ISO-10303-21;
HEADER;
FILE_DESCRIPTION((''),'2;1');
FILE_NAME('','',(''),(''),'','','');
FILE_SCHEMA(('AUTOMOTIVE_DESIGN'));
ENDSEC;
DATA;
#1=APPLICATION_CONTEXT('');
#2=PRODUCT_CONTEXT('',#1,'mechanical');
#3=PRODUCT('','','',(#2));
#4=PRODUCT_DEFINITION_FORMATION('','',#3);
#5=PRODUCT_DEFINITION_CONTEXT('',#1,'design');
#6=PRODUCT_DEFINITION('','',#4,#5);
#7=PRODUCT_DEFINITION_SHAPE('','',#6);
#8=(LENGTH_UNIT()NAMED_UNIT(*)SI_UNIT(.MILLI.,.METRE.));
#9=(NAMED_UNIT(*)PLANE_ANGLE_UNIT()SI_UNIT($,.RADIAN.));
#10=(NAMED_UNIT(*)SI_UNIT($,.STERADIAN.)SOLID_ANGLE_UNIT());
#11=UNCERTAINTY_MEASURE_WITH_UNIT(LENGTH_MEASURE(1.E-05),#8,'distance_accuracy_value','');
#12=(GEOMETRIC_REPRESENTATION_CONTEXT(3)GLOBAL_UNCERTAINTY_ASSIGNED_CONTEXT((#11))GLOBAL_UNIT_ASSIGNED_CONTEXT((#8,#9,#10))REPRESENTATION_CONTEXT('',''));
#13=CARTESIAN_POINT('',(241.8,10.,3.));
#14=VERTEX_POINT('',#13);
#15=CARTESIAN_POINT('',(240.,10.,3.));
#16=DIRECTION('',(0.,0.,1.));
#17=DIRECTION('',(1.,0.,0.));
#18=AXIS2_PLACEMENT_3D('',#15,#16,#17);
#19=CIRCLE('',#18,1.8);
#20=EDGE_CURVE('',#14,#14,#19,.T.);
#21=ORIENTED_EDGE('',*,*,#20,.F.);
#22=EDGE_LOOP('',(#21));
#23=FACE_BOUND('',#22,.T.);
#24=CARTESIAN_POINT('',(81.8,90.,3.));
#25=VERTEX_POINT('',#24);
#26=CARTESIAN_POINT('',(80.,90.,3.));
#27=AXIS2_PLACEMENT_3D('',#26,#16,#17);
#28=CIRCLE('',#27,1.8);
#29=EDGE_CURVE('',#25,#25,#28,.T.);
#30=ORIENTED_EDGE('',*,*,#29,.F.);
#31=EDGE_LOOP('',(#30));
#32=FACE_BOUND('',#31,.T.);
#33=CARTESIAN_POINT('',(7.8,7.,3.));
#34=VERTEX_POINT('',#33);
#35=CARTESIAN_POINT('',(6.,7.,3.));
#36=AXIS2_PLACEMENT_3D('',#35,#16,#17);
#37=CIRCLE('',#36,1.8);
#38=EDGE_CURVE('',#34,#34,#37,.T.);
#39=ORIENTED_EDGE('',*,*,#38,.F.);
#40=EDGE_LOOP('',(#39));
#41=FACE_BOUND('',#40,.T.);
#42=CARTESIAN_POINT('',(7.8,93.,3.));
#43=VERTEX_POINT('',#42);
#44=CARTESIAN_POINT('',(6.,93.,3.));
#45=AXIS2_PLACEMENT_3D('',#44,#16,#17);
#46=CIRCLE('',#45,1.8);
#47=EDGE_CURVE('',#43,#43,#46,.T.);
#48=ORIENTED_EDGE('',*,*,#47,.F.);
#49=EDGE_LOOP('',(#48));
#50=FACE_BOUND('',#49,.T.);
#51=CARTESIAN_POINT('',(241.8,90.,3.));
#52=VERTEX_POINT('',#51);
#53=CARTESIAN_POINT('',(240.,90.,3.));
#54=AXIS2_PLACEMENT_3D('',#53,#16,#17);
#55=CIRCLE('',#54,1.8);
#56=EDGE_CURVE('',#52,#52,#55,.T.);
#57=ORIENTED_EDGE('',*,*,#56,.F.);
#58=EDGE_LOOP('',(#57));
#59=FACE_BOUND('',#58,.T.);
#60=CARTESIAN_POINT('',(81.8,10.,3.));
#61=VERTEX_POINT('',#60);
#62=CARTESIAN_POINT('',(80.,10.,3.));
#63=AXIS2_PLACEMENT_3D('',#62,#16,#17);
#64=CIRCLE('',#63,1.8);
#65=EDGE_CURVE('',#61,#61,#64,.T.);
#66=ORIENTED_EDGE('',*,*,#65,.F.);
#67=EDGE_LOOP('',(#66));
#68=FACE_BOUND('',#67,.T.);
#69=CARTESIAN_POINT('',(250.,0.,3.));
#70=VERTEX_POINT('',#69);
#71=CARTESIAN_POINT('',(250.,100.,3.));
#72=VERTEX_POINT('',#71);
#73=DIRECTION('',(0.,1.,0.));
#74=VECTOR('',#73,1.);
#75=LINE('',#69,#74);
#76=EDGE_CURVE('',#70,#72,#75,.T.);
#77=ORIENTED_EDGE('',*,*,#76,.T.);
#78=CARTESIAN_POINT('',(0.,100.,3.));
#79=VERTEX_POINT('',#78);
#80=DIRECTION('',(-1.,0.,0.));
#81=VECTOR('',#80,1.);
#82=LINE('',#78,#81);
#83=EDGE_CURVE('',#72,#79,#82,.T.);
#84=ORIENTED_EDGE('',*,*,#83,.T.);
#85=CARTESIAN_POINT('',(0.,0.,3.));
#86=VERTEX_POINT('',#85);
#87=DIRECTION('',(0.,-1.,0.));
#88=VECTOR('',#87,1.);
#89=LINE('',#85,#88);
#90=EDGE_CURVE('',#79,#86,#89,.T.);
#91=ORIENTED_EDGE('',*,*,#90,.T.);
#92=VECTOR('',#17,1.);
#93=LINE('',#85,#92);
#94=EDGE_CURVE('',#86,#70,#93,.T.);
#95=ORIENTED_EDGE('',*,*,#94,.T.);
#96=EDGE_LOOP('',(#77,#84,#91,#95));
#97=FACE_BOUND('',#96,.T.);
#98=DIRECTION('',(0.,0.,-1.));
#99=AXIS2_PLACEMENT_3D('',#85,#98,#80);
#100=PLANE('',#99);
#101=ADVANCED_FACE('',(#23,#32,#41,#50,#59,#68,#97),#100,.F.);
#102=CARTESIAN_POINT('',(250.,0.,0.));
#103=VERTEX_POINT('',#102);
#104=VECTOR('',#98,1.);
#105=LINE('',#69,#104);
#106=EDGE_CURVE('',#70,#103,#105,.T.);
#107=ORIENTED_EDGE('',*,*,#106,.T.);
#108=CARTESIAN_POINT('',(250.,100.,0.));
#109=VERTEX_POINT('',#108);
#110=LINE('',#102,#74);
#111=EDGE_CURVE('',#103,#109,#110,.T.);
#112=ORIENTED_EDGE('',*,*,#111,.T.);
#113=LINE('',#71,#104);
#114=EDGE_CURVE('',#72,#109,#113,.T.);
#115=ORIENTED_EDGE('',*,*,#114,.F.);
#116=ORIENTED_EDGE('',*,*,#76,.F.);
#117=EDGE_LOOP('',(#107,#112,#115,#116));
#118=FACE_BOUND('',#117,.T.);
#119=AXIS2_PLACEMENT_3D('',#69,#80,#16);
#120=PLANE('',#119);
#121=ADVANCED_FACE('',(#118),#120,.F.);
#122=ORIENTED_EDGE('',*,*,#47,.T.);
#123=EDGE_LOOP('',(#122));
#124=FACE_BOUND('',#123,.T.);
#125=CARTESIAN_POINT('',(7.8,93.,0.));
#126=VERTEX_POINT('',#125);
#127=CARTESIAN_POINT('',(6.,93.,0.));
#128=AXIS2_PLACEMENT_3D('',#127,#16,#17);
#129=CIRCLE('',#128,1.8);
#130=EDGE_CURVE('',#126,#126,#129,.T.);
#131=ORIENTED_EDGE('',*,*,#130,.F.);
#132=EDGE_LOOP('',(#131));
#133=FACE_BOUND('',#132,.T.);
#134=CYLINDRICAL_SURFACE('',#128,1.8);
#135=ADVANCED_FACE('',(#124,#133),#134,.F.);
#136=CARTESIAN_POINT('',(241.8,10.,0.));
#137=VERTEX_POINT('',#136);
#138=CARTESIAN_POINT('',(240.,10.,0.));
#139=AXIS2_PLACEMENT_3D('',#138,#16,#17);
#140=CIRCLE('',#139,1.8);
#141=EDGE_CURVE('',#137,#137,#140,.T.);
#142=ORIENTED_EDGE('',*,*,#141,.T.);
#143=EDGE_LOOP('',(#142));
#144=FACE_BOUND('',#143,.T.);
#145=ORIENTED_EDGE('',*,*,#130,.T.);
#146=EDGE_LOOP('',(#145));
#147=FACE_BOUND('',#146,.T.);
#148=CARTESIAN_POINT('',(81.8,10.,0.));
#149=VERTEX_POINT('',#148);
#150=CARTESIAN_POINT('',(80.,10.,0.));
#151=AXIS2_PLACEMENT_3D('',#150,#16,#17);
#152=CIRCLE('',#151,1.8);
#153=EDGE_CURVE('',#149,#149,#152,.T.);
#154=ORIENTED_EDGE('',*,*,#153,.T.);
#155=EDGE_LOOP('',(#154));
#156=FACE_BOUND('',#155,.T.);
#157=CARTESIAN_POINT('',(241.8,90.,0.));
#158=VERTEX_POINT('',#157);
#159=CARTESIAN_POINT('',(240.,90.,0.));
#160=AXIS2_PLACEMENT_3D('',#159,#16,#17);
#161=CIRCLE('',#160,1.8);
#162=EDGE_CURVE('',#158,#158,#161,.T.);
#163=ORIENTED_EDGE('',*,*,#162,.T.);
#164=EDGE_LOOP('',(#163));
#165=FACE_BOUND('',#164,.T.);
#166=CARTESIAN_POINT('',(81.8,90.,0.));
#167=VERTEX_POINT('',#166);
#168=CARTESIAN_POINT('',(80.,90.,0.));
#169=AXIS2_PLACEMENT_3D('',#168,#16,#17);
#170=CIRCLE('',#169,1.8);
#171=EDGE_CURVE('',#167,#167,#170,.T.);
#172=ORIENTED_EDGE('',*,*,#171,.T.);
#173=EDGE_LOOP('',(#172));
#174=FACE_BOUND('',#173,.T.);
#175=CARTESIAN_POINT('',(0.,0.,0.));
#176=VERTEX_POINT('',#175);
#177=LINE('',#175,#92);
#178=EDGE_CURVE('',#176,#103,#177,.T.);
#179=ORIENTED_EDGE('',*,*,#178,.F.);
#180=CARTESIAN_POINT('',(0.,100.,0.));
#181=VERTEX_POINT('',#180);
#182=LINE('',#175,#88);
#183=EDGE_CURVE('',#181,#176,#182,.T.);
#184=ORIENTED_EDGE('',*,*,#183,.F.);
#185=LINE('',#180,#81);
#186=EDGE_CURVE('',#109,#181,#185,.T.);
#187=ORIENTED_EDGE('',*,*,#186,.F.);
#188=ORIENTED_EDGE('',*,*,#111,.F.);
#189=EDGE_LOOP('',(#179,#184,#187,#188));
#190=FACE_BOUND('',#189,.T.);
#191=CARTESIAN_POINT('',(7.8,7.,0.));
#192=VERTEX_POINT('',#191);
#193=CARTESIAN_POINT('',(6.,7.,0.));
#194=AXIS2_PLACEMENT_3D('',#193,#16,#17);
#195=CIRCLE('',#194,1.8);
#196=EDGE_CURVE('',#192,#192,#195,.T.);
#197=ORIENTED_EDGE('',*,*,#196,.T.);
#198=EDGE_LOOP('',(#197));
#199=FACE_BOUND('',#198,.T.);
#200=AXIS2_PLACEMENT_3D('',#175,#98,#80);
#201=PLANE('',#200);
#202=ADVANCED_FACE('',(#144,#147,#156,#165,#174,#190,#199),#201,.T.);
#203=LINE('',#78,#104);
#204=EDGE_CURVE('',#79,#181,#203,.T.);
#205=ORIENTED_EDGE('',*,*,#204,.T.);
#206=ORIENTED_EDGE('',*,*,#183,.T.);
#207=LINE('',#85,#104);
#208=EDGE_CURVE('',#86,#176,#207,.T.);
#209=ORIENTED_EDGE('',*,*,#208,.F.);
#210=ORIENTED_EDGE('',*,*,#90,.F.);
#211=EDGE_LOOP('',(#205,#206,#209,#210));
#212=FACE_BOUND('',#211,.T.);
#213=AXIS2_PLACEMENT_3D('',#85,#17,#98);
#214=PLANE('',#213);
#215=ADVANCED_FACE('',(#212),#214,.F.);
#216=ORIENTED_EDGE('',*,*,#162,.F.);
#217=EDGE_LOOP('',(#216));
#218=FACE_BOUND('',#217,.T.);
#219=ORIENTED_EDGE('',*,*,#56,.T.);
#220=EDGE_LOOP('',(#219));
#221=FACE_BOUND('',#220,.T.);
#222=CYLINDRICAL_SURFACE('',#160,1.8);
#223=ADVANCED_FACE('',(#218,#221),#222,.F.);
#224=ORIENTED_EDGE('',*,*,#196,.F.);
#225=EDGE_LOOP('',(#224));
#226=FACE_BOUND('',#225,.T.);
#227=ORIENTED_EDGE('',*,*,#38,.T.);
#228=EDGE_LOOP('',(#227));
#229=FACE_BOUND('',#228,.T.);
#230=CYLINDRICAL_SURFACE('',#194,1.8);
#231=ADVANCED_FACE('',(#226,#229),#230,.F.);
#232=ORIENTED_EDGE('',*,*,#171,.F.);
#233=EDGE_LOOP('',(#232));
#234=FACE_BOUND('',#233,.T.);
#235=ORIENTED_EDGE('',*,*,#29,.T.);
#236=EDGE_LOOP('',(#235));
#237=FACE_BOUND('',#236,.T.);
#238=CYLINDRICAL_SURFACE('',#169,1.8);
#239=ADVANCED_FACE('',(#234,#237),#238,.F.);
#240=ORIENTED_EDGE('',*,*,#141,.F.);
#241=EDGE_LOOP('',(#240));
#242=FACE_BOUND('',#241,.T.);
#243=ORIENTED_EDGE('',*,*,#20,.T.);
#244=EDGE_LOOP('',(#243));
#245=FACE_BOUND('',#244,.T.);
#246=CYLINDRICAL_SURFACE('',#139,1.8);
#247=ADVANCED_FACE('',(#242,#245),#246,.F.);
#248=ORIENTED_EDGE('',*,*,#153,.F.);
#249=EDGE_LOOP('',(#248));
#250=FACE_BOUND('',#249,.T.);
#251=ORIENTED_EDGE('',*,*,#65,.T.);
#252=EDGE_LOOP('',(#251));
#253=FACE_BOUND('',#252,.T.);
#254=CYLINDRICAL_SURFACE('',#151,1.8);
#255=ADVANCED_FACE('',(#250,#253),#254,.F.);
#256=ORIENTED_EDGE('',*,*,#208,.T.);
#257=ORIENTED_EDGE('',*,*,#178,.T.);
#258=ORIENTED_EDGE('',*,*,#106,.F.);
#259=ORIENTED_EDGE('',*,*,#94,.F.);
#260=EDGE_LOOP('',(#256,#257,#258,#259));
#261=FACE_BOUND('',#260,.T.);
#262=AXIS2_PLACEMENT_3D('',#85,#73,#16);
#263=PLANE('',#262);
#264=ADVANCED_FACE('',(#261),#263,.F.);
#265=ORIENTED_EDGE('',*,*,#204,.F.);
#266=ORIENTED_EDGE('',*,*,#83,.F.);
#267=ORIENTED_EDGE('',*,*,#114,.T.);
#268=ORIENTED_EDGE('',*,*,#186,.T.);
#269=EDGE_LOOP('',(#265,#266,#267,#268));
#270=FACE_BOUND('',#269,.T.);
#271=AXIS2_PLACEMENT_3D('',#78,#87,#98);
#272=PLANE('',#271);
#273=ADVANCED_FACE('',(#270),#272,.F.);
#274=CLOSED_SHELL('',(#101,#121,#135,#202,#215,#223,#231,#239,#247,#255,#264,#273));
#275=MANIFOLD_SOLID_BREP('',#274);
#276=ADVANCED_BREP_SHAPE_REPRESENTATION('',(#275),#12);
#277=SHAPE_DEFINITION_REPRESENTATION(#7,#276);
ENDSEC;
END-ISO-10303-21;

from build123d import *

# Parameters (mm, degrees)
SKETCH1_W           = 250
SKETCH1_H           = 100
BOSS_EXTRUDE1_DEPTH = 3
SKETCH2_R           = 1.8
CUT_EXTRUDE1_DEPTH  = 4


with BuildPart() as part:
    # Sketch1 → Boss-Extrude1 (new body)
    with BuildSketch(Plane.XY):
        with Locations((125, 50)):
            Rectangle(SKETCH1_W, SKETCH1_H)
    extrude(amount=BOSS_EXTRUDE1_DEPTH)

    # Sketch2 → Cut-Extrude1 (cut, through all)
    with BuildSketch(Plane.XY.offset(3)):
        with Locations((6, 93)):
            Circle(SKETCH2_R)
        with Locations((80, 90)):
            Circle(SKETCH2_R)
        with Locations((240, 90)):
            Circle(SKETCH2_R)
        with Locations((240, 10)):
            Circle(SKETCH2_R)
        with Locations((80, 10)):
            Circle(SKETCH2_R)
        with Locations((6, 7)):
            Circle(SKETCH2_R)
    extrude(amount=-CUT_EXTRUDE1_DEPTH, mode=Mode.SUBTRACT)


solid = part.part
